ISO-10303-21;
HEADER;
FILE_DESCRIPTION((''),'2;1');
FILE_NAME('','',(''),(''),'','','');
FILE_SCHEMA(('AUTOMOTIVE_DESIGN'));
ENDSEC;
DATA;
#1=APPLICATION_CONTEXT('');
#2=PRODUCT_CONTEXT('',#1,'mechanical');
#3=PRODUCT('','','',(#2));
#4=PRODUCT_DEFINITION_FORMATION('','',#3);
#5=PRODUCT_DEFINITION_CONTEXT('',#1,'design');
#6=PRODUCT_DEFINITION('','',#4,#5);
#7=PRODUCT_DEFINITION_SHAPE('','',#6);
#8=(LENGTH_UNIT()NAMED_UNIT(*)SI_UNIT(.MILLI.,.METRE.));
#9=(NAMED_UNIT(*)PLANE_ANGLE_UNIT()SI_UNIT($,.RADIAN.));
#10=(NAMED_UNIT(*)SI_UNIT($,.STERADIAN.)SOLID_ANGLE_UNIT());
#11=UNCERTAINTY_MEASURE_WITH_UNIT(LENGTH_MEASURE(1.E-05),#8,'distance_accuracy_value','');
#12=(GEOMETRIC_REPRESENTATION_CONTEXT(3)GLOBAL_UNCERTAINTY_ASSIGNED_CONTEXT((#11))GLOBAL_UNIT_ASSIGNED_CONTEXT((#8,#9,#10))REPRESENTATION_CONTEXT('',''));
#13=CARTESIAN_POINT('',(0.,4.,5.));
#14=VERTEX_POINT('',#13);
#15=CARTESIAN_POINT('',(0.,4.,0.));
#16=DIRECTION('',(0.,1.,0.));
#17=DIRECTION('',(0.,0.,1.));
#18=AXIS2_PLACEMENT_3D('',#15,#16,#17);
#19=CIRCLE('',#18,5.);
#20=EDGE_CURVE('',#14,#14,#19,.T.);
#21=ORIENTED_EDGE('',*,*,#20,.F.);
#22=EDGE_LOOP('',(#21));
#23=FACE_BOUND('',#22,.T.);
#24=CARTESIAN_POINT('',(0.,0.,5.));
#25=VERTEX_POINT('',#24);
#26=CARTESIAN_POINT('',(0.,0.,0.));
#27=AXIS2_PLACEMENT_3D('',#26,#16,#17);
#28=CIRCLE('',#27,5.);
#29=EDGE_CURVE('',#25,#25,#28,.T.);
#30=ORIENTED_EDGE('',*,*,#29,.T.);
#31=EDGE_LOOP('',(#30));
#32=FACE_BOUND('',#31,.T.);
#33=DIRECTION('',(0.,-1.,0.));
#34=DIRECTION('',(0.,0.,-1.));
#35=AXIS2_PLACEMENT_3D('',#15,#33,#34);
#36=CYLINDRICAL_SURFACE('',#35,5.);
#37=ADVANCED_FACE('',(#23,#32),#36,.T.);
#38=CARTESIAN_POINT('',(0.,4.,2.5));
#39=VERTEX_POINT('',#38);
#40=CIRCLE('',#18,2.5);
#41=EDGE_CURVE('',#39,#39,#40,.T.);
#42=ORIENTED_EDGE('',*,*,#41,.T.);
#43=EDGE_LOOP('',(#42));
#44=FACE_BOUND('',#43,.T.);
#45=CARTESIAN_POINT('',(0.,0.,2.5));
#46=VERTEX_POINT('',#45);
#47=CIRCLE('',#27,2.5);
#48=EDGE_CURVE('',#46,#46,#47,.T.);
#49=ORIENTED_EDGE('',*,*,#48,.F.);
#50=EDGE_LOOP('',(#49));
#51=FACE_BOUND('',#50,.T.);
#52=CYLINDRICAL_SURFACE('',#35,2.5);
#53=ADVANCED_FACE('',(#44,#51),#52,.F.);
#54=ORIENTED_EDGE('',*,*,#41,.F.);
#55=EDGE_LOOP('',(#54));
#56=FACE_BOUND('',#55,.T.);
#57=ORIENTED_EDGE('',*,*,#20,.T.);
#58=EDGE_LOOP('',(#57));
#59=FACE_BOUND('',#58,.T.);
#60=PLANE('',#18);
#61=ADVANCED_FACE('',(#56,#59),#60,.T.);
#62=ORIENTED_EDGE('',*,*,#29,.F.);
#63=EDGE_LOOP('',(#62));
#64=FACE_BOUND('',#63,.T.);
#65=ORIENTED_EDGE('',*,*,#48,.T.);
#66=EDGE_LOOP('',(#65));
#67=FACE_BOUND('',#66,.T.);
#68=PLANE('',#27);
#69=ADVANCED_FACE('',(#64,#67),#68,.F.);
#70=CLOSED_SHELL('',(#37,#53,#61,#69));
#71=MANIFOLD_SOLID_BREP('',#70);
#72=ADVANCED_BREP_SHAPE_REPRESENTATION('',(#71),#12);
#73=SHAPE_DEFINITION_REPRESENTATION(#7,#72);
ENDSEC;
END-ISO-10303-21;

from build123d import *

# Parameters (mm, degrees)
SKETCH2_R           = 5
SKETCH2_R_2         = 2.5
BOSS_EXTRUDE1_DEPTH = 4


with BuildPart() as part:
    # Sketch2 → Boss-Extrude1 (new body)
    with BuildSketch(Plane(origin=(0, 0, 0), x_dir=(1, 0, 0), z_dir=(0, 1, 0))):
        Circle(SKETCH2_R)
        Circle(SKETCH2_R_2, mode=Mode.SUBTRACT)
    extrude(amount=BOSS_EXTRUDE1_DEPTH)


solid = part.part
